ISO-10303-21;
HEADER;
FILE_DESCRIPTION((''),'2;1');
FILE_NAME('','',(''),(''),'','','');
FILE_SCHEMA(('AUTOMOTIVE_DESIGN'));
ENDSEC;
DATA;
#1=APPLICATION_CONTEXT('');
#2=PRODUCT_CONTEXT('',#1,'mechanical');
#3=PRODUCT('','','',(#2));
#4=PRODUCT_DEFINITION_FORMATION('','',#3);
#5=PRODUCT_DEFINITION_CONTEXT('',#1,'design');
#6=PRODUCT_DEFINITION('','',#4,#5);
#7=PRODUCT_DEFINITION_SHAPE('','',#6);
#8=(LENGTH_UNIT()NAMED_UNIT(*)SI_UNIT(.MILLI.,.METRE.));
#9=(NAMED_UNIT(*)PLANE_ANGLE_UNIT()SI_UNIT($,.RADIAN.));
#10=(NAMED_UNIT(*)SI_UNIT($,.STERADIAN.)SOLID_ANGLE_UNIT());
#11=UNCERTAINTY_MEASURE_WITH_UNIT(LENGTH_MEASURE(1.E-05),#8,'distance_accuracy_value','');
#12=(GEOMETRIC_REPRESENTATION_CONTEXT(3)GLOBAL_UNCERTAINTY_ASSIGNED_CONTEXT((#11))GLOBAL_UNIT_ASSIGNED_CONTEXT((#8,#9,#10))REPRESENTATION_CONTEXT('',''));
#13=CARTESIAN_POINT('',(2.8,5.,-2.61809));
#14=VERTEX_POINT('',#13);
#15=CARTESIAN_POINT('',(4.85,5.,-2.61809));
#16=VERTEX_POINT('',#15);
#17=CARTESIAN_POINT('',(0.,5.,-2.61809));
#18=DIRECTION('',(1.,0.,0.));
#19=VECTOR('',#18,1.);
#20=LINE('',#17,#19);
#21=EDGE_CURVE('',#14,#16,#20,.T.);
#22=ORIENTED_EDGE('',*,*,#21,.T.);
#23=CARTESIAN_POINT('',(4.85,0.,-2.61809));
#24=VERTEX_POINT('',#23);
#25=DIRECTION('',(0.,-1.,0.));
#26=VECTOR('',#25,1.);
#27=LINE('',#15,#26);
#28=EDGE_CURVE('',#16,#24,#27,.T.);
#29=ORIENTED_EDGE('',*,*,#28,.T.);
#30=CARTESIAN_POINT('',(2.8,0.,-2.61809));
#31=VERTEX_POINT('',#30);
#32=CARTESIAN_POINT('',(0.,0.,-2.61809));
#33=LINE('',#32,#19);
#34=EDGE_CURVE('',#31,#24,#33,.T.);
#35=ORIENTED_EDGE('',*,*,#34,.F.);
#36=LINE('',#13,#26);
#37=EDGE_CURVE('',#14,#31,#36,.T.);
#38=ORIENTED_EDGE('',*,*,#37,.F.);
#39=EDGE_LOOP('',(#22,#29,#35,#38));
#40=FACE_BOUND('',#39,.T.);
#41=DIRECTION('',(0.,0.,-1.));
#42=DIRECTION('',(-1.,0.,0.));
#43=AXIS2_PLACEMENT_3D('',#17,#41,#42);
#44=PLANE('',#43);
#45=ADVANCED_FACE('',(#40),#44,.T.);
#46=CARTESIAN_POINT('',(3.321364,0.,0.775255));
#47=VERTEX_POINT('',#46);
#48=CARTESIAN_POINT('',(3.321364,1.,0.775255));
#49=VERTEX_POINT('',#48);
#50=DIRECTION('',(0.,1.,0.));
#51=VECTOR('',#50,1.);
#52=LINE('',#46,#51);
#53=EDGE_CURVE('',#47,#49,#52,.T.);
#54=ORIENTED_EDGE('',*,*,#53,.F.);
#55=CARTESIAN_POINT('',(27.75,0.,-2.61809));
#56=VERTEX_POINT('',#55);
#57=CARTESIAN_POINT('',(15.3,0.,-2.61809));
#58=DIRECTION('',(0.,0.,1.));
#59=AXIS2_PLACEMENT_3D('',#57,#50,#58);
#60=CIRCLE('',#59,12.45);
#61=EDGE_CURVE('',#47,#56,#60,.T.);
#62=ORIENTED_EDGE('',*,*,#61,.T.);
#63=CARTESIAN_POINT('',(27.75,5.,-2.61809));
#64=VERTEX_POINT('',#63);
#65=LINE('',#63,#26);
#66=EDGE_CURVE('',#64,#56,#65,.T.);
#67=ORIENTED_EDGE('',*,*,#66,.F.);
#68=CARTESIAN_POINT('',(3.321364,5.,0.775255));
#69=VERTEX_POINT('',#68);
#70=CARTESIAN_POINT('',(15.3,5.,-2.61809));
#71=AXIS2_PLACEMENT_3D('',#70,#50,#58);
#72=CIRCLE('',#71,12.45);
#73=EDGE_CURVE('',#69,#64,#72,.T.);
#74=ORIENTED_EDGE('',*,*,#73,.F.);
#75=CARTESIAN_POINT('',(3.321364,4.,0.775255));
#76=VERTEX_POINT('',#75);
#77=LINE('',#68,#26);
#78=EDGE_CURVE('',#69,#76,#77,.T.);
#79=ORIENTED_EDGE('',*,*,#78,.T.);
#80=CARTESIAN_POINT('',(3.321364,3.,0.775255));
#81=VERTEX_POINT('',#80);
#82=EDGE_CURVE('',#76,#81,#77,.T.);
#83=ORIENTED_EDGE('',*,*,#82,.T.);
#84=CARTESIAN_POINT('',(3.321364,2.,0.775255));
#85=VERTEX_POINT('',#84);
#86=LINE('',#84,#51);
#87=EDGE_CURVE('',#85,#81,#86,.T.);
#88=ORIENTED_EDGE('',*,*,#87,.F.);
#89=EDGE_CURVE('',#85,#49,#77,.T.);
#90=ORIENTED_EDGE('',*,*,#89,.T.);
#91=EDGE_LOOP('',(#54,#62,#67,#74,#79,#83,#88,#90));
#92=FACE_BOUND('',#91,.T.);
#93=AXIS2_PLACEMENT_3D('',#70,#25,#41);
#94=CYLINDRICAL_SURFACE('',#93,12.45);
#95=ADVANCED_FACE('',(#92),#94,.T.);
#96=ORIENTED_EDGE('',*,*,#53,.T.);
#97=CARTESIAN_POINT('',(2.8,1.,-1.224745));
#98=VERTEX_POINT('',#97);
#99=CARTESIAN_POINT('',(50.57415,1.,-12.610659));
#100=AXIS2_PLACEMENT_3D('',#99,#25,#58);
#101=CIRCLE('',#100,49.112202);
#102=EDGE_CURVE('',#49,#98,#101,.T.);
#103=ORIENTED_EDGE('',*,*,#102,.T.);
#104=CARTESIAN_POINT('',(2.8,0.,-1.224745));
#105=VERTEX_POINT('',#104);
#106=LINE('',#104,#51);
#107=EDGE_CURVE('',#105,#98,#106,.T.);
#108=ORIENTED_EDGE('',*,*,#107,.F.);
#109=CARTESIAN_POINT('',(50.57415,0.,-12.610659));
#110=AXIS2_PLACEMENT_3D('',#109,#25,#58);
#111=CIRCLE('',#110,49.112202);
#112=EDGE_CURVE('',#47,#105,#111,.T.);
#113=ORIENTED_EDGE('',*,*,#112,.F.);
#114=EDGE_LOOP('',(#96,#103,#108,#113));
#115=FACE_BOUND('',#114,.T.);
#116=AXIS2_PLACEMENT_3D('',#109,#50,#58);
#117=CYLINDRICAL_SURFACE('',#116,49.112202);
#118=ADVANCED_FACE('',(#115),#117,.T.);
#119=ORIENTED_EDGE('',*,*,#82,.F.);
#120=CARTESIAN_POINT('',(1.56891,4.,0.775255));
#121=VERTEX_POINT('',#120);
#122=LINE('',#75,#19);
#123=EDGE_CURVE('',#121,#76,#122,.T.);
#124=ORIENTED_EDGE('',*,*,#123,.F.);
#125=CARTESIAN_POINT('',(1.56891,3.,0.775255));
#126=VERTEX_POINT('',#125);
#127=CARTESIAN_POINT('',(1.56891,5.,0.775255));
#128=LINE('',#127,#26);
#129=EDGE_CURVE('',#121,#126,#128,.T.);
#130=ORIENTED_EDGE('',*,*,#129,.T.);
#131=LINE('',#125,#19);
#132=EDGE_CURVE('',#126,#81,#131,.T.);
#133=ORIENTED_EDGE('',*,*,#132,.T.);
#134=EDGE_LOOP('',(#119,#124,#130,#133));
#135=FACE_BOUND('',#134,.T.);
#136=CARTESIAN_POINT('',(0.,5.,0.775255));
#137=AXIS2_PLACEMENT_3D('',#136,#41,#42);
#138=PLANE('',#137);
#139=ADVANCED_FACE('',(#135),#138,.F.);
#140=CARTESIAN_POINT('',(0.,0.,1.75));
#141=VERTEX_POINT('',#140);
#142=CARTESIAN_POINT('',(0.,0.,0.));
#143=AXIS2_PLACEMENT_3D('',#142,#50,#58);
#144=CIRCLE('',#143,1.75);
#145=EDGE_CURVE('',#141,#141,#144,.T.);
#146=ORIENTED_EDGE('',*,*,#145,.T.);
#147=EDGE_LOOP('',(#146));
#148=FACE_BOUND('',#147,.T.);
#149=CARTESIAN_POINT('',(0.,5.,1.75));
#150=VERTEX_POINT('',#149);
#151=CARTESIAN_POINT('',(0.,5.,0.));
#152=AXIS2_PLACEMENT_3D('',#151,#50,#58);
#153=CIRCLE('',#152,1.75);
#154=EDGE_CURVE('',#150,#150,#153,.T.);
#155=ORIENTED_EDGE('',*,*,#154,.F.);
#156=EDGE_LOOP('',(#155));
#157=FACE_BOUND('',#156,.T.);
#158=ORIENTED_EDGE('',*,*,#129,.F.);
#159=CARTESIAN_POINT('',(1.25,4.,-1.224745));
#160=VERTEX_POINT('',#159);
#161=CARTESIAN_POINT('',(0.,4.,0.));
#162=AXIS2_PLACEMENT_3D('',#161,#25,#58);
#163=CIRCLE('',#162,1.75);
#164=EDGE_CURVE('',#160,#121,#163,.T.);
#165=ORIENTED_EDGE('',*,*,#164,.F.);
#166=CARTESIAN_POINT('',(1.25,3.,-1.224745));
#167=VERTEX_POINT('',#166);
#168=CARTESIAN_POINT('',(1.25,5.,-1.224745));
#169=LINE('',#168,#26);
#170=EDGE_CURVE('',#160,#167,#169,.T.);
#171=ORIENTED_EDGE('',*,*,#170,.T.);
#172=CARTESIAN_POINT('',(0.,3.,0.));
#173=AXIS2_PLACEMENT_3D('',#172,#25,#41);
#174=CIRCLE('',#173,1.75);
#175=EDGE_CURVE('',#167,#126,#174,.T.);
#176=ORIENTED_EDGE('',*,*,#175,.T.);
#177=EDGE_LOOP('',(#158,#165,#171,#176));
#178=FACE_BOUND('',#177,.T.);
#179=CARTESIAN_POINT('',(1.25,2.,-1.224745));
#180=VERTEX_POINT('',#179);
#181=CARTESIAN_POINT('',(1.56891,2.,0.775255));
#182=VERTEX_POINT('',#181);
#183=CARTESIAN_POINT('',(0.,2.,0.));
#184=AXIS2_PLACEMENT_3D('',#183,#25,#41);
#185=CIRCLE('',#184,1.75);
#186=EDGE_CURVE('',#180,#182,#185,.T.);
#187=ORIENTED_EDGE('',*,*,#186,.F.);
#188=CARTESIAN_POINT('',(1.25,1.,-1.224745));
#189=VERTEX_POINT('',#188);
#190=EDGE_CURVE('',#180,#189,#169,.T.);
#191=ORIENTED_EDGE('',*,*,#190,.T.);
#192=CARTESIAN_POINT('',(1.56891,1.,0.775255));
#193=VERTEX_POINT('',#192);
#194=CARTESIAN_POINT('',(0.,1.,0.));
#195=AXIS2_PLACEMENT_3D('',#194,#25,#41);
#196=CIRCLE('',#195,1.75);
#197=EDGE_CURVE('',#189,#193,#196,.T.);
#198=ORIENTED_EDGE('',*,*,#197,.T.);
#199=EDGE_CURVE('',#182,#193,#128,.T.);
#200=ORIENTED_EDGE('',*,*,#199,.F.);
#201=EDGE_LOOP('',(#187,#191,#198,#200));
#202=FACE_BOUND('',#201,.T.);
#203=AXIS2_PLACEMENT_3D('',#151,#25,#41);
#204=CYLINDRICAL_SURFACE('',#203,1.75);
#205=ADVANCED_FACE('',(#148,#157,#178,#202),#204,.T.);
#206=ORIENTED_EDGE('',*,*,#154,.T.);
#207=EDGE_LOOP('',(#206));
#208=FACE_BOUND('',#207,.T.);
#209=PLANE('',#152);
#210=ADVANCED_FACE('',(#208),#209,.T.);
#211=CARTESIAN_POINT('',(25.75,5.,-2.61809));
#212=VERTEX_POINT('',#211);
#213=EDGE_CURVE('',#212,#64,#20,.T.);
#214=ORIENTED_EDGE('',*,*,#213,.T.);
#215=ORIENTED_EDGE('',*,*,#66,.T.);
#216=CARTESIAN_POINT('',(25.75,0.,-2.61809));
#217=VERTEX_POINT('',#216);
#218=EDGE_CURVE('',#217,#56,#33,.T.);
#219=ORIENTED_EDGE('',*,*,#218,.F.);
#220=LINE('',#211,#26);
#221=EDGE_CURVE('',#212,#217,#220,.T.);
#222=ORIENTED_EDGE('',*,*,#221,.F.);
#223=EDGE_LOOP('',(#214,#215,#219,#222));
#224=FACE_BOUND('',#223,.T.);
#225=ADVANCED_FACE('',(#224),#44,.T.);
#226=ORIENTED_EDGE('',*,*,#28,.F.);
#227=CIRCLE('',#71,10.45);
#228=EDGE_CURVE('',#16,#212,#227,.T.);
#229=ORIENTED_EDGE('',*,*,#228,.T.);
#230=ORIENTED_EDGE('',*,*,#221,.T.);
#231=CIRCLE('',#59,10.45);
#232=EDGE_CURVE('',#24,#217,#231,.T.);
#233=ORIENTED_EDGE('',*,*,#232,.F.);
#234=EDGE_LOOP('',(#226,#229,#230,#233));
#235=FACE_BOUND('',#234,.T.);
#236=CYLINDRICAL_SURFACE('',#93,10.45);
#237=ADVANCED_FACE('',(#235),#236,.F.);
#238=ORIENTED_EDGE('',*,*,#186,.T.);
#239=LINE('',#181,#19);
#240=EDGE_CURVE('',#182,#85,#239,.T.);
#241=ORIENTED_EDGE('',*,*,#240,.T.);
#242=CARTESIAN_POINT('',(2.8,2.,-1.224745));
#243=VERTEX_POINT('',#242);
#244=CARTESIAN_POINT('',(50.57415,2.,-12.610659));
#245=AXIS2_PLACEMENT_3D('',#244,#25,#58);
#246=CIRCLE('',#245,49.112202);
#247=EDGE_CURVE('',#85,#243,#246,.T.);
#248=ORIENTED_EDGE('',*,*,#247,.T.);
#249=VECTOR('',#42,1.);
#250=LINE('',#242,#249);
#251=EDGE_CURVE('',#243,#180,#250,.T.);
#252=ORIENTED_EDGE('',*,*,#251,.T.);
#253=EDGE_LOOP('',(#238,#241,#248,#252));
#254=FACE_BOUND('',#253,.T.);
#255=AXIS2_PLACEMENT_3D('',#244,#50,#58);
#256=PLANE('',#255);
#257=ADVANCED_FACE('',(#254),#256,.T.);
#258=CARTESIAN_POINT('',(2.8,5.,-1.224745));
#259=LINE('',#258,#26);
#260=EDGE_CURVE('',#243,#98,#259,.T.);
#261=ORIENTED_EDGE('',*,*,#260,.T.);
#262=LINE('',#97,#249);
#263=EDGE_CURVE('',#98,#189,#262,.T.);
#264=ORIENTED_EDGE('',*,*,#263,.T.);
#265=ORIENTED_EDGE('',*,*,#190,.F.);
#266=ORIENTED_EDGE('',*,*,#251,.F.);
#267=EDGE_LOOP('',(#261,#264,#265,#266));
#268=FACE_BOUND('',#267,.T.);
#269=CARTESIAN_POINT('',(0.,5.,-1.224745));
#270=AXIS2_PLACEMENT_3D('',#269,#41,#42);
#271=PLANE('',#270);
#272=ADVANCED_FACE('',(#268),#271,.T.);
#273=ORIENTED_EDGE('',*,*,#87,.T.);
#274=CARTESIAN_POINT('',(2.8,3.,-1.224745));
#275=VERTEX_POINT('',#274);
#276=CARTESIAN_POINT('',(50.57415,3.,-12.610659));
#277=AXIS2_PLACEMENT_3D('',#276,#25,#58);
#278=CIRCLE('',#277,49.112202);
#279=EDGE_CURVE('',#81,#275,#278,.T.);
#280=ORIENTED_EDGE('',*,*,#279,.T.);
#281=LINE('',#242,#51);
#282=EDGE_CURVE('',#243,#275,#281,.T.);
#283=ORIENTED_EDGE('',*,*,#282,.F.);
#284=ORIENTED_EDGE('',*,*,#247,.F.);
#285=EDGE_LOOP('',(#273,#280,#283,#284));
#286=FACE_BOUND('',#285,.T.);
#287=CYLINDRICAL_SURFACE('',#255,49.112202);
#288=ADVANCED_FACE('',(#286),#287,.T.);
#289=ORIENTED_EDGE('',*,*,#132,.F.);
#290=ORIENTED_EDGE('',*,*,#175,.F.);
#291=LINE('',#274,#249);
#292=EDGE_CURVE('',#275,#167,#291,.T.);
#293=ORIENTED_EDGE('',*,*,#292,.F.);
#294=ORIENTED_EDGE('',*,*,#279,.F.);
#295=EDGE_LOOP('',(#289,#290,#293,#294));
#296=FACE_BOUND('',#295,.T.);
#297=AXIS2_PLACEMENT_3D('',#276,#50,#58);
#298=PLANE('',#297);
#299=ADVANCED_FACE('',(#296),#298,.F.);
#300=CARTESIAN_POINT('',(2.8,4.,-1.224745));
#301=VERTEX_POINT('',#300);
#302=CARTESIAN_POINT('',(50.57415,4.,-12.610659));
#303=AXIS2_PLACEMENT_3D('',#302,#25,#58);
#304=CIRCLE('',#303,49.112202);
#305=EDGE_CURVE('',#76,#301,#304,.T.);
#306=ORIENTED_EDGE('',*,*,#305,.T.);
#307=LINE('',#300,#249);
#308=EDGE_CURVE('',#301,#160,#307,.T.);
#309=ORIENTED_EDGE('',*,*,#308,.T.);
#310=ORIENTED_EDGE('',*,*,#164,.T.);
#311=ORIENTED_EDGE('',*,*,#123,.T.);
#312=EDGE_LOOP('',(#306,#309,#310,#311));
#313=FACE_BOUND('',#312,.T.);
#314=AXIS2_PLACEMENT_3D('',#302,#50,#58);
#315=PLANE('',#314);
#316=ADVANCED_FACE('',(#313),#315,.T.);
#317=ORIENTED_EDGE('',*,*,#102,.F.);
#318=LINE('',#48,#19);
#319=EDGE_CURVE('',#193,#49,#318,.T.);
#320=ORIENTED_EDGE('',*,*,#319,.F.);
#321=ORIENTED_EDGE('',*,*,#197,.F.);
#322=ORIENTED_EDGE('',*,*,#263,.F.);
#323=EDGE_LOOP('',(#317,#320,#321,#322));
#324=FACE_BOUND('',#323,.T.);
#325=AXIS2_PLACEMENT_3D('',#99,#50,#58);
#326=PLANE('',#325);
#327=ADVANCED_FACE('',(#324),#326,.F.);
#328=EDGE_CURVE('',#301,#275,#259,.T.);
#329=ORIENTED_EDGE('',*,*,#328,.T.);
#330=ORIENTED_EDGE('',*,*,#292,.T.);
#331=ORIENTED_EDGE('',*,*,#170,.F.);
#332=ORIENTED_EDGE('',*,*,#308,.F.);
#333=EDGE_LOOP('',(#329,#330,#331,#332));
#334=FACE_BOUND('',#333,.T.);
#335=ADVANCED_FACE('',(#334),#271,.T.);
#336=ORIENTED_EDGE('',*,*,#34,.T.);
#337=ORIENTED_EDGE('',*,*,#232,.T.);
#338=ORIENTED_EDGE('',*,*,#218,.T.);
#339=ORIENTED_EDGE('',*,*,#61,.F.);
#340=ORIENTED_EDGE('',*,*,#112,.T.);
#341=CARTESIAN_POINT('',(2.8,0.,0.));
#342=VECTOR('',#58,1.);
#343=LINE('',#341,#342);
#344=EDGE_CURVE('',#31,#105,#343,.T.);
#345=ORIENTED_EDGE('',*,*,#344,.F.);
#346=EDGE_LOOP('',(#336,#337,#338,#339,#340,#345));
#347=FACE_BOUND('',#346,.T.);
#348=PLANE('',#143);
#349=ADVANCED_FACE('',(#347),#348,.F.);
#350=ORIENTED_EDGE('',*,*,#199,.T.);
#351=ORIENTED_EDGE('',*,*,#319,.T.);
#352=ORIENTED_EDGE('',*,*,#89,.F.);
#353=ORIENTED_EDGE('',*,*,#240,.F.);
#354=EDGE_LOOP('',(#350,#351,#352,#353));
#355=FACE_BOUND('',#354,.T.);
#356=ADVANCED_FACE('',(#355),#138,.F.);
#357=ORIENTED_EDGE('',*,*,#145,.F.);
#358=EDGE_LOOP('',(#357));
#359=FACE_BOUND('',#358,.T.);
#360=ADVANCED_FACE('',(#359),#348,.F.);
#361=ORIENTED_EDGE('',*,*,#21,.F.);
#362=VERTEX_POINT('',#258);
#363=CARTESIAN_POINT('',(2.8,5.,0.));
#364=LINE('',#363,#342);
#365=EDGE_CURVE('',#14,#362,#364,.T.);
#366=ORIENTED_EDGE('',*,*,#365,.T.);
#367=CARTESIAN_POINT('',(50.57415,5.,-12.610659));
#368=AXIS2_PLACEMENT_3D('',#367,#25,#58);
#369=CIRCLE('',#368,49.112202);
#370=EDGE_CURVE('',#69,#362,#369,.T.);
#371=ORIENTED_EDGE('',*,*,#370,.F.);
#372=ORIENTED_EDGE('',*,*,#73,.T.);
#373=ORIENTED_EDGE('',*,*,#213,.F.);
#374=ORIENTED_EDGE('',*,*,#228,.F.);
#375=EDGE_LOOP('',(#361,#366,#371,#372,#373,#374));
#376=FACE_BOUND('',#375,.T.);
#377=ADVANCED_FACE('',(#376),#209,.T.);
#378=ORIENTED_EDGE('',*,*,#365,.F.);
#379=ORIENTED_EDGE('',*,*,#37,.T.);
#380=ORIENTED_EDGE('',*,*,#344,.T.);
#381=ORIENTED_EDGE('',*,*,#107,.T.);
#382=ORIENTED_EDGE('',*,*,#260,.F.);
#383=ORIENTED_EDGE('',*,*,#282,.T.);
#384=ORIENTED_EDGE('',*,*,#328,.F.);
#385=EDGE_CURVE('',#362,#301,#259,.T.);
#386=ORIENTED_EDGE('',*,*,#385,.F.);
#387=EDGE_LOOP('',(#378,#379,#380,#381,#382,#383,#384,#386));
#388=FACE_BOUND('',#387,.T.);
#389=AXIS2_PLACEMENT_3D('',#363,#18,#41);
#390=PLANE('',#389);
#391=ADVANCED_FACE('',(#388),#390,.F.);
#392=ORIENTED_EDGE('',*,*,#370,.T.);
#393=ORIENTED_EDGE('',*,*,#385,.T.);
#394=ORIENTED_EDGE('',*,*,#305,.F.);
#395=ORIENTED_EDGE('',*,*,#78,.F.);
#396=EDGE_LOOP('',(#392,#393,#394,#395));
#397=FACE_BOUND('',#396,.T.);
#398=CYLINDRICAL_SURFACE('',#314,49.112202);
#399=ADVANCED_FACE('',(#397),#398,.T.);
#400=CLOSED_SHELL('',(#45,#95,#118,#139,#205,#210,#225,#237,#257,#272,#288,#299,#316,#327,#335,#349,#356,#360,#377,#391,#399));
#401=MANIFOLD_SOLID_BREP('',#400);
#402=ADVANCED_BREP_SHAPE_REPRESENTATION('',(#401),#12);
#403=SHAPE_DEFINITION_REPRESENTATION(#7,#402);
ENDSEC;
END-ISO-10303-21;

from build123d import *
from build123d.topology import SkipClean

# Parameters (mm, degrees)
BOSS_EXTRUDE2_DEPTH = 5
CUT_EXTRUDE1_START  = -1
CUT_EXTRUDE1_DEPTH  = 1
CUT_EXTRUDE2_START  = -2
CUT_EXTRUDE2_DEPTH  = 1
CUT_EXTRUDE3_START  = -2
CUT_EXTRUDE3_DEPTH  = 1


with BuildPart() as part:
    # Sketch2 → Boss-Extrude2 (new body)
    with BuildSketch(Plane(origin=(0, 0, 0), x_dir=(1, 0, 0), z_dir=(0, 1, 0))):
        with BuildLine():
            Line((4.85, 2.618089507), (2.8, 2.618089507))
            Line((2.8, 2.618089507), (2.8, 1.224744871))
            Line((2.8, 1.224744871), (1.25, 1.224744871))
            ThreePointArc((1.25, 1.224744871), (-1.728167758, -0.275565237), (1.568910286, -0.775255129))
            Line((1.568910286, -0.775255129), (3.321364344, -0.775255129))
            ThreePointArc((3.321364344, -0.775255129), (17.012963234, -9.713506373), (27.75, 2.618089507))
            Line((27.75, 2.618089507), (25.75, 2.618089507))
            ThreePointArc((25.75, 2.618089507), (15.3, -7.831910493), (4.85, 2.618089507))
        make_face()
    extrude(amount=BOSS_EXTRUDE2_DEPTH)

    # Sketch6 → Cut-Extrude1 (cut)
    with SkipClean():  # the faces are left unmerged after this step: merging them gives an invalid solid
        with BuildSketch(Plane(origin=(0, 5, 0), x_dir=(1, 0, 0), z_dir=(0, 1, 0)).offset(CUT_EXTRUDE1_START)):
            with BuildLine():
                Line((2.8, 1.224744871), (1.25, 1.224744871))
                ThreePointArc((1.25, 1.224744871), (1.728167758, 0.275565237), (1.568910286, -0.775255129))
                Line((1.568910286, -0.775255129), (3.321364344, -0.775255129))
                ThreePointArc((3.321364344, -0.775255129), (3.050160005, 0.22200193), (2.8, 1.224744871))
            make_face()
        extrude(amount=CUT_EXTRUDE1_DEPTH, mode=Mode.SUBTRACT)

    # Sketch8 → Cut-Extrude2 (cut)
    with SkipClean():  # the faces are left unmerged after this step: merging them gives an invalid solid
        with BuildSketch(Plane(origin=(0, 4, 0), x_dir=(1, 0, 0), z_dir=(0, 1, 0)).offset(CUT_EXTRUDE2_START)):
            with BuildLine():
                Line((2.8, 1.224744871), (1.25, 1.224744871))
                ThreePointArc((1.25, 1.224744871), (1.728167758, 0.275565237), (1.568910286, -0.775255129))
                Line((1.568910286, -0.775255129), (3.321364344, -0.775255129))
                ThreePointArc((3.321364344, -0.775255129), (3.050160005, 0.22200193), (2.8, 1.224744871))
            make_face()
        extrude(amount=CUT_EXTRUDE2_DEPTH, mode=Mode.SUBTRACT)

    # Sketch9 → Cut-Extrude3 (cut)
    with SkipClean():  # the faces are left unmerged after this step: merging them gives an invalid solid
        with BuildSketch(Plane(origin=(0, 2, 0), x_dir=(1, 0, 0), z_dir=(0, 1, 0)).offset(CUT_EXTRUDE3_START)):
            with BuildLine():
                Line((2.8, 1.224744871), (1.25, 1.224744871))
                ThreePointArc((1.25, 1.224744871), (1.728167758, 0.275565237), (1.568910286, -0.775255129))
                Line((1.568910286, -0.775255129), (3.321364344, -0.775255129))
                ThreePointArc((3.321364344, -0.775255129), (3.050160005, 0.22200193), (2.8, 1.224744871))
            make_face()
        extrude(amount=CUT_EXTRUDE3_DEPTH, mode=Mode.SUBTRACT)


solid = part.part
